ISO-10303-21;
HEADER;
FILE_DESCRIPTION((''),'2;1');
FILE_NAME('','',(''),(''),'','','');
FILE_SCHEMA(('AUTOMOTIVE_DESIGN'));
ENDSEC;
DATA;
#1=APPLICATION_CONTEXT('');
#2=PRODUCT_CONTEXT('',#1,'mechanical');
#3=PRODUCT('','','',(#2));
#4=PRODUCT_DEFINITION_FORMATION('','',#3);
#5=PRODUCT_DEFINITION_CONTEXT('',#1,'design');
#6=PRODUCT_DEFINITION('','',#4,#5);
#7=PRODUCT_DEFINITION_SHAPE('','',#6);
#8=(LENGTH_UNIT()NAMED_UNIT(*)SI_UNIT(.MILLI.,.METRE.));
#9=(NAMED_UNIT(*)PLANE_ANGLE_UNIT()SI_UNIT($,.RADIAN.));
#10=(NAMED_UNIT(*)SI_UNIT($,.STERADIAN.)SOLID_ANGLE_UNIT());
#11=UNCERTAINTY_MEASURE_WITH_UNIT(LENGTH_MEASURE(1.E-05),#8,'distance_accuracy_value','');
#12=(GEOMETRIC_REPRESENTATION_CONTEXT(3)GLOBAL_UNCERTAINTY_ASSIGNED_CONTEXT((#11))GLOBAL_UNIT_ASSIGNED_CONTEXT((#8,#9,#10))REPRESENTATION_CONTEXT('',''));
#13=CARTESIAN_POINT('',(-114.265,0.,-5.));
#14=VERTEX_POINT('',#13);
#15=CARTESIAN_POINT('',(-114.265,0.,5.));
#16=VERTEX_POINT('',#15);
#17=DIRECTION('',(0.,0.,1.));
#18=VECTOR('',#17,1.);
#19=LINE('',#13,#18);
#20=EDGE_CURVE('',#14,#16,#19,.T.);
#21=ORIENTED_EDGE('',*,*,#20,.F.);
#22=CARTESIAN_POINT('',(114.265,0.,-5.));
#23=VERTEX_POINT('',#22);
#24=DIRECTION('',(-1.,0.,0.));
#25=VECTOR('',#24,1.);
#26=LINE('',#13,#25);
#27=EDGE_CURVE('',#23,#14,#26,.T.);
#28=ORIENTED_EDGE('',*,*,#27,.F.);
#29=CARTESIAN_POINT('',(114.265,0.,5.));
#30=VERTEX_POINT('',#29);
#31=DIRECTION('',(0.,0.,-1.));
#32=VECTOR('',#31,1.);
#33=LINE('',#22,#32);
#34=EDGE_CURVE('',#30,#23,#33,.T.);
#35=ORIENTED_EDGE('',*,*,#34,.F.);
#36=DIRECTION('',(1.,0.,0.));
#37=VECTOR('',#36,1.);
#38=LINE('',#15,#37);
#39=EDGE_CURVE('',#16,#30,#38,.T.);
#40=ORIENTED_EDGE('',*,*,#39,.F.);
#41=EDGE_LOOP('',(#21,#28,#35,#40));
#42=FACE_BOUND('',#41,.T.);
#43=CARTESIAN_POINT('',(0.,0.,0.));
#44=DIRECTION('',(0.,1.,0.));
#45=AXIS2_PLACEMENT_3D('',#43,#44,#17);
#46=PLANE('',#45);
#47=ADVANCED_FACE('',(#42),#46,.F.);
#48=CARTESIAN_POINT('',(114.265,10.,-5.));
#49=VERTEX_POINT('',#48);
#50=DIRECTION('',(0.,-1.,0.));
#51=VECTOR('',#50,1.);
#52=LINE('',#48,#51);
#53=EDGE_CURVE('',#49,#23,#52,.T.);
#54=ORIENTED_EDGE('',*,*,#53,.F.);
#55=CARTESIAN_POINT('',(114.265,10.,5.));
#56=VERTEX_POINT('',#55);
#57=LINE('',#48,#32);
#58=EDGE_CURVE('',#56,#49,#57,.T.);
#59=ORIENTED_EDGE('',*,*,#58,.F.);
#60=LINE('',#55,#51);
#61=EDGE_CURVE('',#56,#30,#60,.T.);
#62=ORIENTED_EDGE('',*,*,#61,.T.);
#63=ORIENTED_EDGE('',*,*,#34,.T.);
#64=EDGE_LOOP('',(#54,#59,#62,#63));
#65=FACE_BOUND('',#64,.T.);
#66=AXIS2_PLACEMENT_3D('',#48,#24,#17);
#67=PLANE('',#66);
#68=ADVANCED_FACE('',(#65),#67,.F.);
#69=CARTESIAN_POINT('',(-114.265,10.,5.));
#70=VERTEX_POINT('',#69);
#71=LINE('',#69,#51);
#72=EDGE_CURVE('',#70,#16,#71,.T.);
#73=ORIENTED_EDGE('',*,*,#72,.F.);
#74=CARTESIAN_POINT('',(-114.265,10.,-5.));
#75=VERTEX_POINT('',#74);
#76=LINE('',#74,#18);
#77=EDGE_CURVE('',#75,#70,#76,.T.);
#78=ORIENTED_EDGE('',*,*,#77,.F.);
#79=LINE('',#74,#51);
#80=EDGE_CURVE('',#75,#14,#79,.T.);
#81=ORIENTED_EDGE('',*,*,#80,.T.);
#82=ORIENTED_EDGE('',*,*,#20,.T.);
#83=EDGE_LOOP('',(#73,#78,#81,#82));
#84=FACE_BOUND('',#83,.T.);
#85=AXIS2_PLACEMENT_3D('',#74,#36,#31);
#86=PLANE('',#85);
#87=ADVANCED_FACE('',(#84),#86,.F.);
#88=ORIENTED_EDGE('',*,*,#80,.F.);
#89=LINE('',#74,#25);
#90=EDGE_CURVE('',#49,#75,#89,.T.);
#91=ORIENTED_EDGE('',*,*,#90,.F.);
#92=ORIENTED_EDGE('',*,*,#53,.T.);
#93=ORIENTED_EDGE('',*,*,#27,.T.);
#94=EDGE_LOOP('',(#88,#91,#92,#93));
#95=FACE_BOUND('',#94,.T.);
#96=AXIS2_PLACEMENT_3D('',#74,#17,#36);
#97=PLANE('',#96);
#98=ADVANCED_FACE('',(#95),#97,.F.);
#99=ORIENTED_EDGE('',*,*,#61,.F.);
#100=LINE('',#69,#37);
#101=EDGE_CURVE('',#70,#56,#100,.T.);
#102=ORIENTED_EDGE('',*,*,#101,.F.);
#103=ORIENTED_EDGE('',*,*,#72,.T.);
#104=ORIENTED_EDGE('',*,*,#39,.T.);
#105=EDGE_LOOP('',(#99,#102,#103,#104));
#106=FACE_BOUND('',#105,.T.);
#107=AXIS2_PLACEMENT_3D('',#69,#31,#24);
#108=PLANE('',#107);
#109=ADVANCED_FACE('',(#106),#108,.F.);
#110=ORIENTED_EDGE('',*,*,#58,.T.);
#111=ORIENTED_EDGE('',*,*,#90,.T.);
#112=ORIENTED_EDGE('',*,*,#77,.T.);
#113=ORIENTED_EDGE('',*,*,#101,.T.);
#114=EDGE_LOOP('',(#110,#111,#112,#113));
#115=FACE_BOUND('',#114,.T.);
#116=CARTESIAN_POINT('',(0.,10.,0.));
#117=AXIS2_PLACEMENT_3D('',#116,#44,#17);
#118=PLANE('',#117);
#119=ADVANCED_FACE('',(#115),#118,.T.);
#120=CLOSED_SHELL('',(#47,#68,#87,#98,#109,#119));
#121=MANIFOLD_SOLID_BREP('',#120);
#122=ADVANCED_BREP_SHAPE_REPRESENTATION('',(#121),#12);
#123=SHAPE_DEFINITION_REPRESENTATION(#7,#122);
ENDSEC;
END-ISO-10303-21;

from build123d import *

# Parameters (mm, degrees)
SKETCH1_W           = 228.53
SKETCH1_H           = 10
BOSS_EXTRUDE1_DEPTH = 10


with BuildPart() as part:
    # Sketch1 → Boss-Extrude1 (new body)
    with BuildSketch(Plane(origin=(0, 0, 0), x_dir=(1, 0, 0), z_dir=(0, 1, 0))):
        Rectangle(SKETCH1_W, SKETCH1_H)
    extrude(amount=BOSS_EXTRUDE1_DEPTH)


solid = part.part
